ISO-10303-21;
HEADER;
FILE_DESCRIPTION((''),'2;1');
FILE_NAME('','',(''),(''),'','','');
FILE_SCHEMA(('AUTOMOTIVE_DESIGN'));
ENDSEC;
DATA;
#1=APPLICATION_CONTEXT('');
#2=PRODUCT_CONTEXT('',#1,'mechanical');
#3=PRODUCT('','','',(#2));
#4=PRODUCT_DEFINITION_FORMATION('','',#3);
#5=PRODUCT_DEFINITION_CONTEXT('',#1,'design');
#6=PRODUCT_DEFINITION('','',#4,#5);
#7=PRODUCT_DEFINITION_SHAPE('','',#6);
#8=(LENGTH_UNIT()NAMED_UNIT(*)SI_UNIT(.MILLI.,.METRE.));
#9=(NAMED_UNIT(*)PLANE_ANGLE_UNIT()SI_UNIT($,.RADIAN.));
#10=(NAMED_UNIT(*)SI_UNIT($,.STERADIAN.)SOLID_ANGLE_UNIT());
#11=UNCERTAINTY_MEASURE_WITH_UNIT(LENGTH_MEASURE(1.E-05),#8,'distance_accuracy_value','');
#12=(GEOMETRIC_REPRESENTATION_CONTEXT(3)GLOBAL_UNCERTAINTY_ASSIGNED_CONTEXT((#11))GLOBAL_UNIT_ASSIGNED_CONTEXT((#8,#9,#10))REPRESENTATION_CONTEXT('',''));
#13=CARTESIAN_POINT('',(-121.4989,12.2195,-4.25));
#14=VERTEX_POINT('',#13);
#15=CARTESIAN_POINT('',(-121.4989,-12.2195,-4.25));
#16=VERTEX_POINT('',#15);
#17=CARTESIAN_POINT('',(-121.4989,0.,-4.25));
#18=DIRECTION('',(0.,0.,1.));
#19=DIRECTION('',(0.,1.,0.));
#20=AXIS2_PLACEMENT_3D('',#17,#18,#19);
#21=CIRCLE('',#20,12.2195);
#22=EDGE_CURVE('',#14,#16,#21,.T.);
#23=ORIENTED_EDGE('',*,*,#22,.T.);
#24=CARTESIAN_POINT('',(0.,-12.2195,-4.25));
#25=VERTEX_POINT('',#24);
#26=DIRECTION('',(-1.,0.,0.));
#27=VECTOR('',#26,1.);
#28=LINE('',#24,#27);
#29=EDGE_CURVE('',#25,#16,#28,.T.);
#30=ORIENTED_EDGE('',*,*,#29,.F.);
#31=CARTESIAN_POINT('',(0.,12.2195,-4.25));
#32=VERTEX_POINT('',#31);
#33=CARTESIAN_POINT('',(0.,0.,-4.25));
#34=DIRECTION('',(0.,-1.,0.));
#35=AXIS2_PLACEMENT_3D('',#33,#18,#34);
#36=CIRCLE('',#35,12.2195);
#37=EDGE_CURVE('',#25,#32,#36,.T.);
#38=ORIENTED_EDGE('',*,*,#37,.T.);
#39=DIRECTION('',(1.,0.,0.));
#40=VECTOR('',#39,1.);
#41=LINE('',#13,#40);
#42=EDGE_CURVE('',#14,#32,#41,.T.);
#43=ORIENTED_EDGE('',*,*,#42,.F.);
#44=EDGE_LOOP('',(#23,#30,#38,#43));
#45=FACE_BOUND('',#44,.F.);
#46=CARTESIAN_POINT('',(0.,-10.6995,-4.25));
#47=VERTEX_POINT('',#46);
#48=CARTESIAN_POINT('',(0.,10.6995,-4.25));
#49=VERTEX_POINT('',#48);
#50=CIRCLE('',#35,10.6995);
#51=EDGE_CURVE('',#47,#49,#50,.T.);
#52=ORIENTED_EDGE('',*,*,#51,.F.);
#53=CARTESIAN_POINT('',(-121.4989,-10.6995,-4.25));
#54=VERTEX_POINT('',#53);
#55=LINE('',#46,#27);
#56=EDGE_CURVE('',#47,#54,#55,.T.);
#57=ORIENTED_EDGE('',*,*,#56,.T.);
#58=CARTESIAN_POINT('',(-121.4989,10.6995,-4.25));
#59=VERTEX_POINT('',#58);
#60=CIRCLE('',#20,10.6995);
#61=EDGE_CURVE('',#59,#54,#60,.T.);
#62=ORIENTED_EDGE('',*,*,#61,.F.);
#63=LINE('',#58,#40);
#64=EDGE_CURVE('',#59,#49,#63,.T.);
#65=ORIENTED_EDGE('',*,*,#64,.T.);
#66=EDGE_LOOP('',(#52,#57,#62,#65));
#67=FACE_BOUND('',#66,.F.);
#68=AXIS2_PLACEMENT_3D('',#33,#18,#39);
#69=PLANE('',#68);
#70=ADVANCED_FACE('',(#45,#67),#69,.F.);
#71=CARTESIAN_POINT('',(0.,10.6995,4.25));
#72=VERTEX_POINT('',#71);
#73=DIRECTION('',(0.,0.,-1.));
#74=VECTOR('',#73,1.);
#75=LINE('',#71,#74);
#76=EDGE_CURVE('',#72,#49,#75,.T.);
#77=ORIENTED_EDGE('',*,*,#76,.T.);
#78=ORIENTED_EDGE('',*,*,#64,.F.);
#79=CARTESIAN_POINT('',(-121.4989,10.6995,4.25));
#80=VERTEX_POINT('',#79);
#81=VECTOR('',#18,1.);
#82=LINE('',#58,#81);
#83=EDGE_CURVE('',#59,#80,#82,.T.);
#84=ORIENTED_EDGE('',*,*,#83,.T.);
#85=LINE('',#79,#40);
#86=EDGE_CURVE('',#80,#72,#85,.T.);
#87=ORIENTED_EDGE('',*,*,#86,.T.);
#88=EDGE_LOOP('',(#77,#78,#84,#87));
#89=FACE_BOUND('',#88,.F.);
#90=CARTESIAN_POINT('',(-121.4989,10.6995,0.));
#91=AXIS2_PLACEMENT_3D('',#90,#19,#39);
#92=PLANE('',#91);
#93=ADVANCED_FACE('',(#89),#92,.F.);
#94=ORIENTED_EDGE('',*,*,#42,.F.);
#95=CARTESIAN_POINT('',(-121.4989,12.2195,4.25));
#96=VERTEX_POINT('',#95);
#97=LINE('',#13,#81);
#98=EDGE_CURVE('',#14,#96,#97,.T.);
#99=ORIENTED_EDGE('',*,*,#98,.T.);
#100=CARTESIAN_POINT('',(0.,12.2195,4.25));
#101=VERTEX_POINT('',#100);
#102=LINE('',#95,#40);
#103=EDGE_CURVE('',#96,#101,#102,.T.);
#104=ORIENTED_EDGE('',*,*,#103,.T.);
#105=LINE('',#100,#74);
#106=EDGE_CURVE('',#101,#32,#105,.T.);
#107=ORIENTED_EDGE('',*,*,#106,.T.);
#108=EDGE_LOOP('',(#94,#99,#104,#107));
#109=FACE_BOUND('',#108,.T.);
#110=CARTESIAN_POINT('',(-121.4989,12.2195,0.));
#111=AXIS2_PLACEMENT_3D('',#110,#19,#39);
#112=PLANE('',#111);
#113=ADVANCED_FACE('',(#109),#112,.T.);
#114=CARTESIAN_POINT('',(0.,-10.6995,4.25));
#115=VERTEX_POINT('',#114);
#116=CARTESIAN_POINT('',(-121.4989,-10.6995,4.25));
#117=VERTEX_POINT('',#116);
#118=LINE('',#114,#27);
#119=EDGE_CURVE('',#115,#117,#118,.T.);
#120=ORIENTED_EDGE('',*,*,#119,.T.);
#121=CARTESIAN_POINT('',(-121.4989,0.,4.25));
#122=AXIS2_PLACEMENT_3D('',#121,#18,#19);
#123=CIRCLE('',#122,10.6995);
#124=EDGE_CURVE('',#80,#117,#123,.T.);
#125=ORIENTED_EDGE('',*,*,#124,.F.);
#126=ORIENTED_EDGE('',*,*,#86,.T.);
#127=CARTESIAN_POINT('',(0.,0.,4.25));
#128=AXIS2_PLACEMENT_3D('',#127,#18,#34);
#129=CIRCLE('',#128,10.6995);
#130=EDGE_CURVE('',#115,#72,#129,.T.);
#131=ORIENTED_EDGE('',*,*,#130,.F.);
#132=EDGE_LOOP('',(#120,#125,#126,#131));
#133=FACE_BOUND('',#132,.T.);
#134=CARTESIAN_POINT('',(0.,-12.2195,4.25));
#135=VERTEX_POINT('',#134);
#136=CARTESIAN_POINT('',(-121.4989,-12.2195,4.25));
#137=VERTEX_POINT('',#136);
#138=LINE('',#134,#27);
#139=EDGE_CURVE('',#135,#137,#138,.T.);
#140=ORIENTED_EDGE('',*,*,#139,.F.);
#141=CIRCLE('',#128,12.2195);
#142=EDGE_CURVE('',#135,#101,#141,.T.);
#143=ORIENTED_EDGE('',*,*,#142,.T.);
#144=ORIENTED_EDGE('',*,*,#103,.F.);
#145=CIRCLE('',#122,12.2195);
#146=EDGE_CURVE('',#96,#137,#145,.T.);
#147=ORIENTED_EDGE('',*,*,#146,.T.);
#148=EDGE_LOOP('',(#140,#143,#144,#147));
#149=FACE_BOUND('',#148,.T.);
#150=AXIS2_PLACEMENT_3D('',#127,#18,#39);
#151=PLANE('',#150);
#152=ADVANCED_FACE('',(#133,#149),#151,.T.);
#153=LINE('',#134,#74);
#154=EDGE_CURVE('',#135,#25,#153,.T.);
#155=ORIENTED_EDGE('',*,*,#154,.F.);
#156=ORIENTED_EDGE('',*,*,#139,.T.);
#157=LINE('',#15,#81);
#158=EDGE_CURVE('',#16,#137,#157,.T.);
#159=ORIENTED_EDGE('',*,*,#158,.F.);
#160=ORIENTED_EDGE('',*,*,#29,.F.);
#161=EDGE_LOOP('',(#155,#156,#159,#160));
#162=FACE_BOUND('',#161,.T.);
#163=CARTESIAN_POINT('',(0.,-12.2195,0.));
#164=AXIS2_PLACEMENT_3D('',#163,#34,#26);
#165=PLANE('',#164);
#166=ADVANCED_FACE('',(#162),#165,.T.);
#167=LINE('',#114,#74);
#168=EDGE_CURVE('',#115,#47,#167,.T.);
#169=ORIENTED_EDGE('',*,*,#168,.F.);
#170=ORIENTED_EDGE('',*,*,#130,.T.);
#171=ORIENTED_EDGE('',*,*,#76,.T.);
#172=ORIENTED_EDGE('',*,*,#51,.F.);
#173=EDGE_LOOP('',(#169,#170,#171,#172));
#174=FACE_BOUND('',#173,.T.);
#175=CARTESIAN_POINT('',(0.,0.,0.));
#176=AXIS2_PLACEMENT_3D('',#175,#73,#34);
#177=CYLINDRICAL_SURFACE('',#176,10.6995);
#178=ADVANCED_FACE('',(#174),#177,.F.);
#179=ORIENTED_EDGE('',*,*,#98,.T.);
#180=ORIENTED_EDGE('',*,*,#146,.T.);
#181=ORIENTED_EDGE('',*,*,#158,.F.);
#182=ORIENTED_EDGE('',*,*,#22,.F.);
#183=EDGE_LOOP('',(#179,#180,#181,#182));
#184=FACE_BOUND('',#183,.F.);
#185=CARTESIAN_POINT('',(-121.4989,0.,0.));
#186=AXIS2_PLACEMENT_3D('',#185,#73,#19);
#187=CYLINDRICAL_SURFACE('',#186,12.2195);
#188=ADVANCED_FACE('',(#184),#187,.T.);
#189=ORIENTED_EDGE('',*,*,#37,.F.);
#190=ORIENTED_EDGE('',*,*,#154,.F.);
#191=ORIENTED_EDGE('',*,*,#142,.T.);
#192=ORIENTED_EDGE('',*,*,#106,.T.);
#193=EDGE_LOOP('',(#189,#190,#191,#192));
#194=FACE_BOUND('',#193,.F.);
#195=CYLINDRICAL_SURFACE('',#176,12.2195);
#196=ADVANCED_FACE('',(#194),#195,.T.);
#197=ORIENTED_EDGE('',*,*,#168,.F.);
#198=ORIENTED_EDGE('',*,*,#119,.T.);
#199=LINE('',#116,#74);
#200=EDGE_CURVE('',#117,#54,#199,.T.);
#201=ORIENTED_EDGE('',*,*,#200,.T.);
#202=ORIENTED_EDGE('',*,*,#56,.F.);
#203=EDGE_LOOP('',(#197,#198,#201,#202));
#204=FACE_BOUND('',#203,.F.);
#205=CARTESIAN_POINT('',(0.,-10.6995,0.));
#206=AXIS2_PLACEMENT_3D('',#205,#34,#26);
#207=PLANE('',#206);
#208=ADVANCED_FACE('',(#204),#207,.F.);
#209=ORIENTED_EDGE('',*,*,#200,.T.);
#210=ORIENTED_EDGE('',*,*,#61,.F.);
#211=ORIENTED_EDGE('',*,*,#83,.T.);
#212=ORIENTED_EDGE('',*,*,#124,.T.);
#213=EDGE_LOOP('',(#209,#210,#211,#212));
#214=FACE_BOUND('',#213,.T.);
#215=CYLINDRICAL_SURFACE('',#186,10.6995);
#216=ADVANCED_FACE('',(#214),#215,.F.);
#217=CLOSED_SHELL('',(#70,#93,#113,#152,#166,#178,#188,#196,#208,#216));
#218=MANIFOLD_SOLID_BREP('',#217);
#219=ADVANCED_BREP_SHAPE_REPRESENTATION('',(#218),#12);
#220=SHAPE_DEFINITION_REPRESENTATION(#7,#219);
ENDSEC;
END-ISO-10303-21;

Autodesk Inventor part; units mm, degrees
ref_plane "YZ Plane" through (0, 0, 0) normal (1, 0, 0) x (0, 1, 0)
ref_plane "XZ Plane" through (0, 0, 0) normal (0, 1, 0) x (-1, 0, 0)
ref_plane "XY Plane" through (0, 0, 0) normal (0, 0, 1) x (1, 0, 0)
sketch "Sketch1" plane through (0, 0, 0) normal (0, 0, 1) x (1, 0, 0)
  arc A0 (0, -11.4595) -> (0, 11.4595) centre (0, 0) ccw construction
  arc A1 (-121.4989, 11.4595) -> (-121.4989, -11.4595) centre (-121.4989, 0) ccw construction
  line L0 (0, -11.4595) -> (-121.4989, -11.4595) construction
  line L1 (0, 11.4595) -> (-121.4989, 11.4595) construction
  dimension "Belt_Teeth" = 105
  dimension "Belt_Pitch2" = 3
  dimension "d0" = 22.919
  dimension "d1" = 22.919
  dimension "d2" = 36.0011
  dimension "d3" = 36.0011
  dimension "Center_Distance" = 121.4989
  dimension "d5" = 121.4989
sketch "Sketch2" plane through (0, 0, 0) normal (0, 0, 1) x (1, 0, 0)
  line L0 (35.7235, 34.2567) -> (38.7235, 34.2567)
  point P0 (0, 0)
  dimension "Belt_Pitch2" = 3
sketch "Sketch4" plane through (0, 0, 0) normal (0, 0, 1) x (1, 0, 0)
  line L0 (-16.1422, -21.869) -> (-14.1422, -21.869)
  line L1 (-16.1422, -21.869) -> (-16.1422, -20.349)
  arc A0 (-15.5872, -20.904) -> (-16.1422, -20.349) centre (-16.1422, -20.904) ccw
  line L2 (-15.5872, -20.904) -> (-15.5872, -20.959)
  arc A1 (-15.5872, -20.959) -> (-15.4372, -21.109) centre (-15.4372, -20.959) ccw
  line L3 (-15.4372, -21.109) -> (-14.8472, -21.109)
  line L4 (-14.1422, -21.869) -> (-14.1422, -20.349)
  arc A2 (-14.1422, -20.349) -> (-14.6972, -20.904) centre (-14.1422, -20.904) ccw
  arc A3 (-14.8472, -21.109) -> (-14.6972, -20.959) centre (-14.8472, -20.959) ccw
  line L5 (-14.6972, -20.959) -> (-14.6972, -20.904)
  line L6 (0, 11.4595) -> (-121.4989, 11.4595) construction
  arc A4 (-121.4989, 11.4595) -> (-121.4989, -11.4595) centre (-121.4989, 0) ccw construction
  line L7 (0, -11.4595) -> (-121.4989, -11.4595) construction
  arc A5 (0, -11.4595) -> (0, 11.4595) centre (0, 0) ccw construction
  arc A6 (-121.4989, 12.2195) -> (-121.4989, -12.2195) centre (-121.4989, 0) ccw
  line L8 (-121.4989, 12.2195) -> (0, 12.2195)
  arc A7 (0, -12.2195) -> (0, 12.2195) centre (0, 0) ccw
  line L9 (0, -12.2195) -> (-121.4989, -12.2195)
  arc A8 (-121.4989, 10.6995) -> (-121.4989, -10.6995) centre (-121.4989, 0) ccw
  line L10 (-121.4989, 10.6995) -> (0, 10.6995)
  arc A9 (0, -10.6995) -> (0, 10.6995) centre (0, 0) ccw
  line L11 (0, -10.6995) -> (-121.4989, -10.6995)
  point P0 (-15.1422, -21.109)
  point P1 (-15.1422, -21.869)
  dimension "d9" = 2
  dimension "d10" = 1.52
  dimension "d11" = 0.76
  dimension "d12" = 0.555
  dimension "d13" = 0.555
  dimension "d14" = 0.15
  dimension "d15" = 0.15
  dimension "belt_thickness" = 1.52
  dimension "d44" = 0.76
extrude "Extrusion2" add sketch "Sketch4" along normal mid plane 8.5 contours L8 A7 L9 A6
sketch "Sketch5" plane through (0, 0, 4.25) normal (0, 0, 1) x (1, 0, 0)
  line L0 (-121.4989, 10.6995) -> (0, 10.6995) construction
  arc A0 (0, -10.6995) -> (0, 10.6995) centre (0, 0) ccw construction
  line L1 (0, -10.6995) -> (-121.4989, -10.6995) construction
  arc A1 (-121.4989, 10.6995) -> (-121.4989, -10.6995) centre (-121.4989, 0) ccw construction
  arc A2 (-121.4989, 12.2195) -> (-121.4989, -12.2195) centre (-121.4989, 0) ccw construction
  line L2 (-121.4989, -12.2195) -> (0, -12.2195) construction
  arc A3 (0, -12.2195) -> (0, 12.2195) centre (0, 0) ccw construction
  line L3 (0, 12.2195) -> (-121.4989, 12.2195) construction
  line L4 (-7.7556, -2.6989) -> (-5.7556, -2.6989)
  line L5 (-7.7556, -2.6989) -> (-7.7556, -1.1789) construction
  arc A4 (-7.2006, -1.7339) -> (-7.7556, -1.1789) centre (-7.7556, -1.7339) ccw
  line L6 (-7.2006, -1.7339) -> (-7.2006, -1.7889)
  arc A5 (-7.2006, -1.7889) -> (-7.0506, -1.9389) centre (-7.0506, -1.7889) ccw
  line L7 (-7.0506, -1.9389) -> (-6.4606, -1.9389)
  line L8 (-5.7556, -2.6989) -> (-5.7556, -1.1789)
  arc A6 (-5.7556, -1.1789) -> (-6.3106, -1.7339) centre (-5.7556, -1.7339) ccw
  arc A7 (-6.4606, -1.9389) -> (-6.3106, -1.7889) centre (-6.4606, -1.7889) ccw
  line L9 (-6.3106, -1.7889) -> (-6.3106, -1.7339)
  line L10 (-8.3106, -1.7339) -> (-8.3106, -1.7889)
  arc A8 (-7.7556, -1.1789) -> (-8.3106, -1.7339) centre (-7.7556, -1.7339) ccw
  arc A9 (-8.4606, -1.9389) -> (-8.3106, -1.7889) centre (-8.4606, -1.7889) ccw
  line L11 (-8.4606, -1.9389) -> (-9.0506, -1.9389)
  line L12 (-7.7556, -2.6989) -> (-9.7556, -2.6989)
  line L13 (-9.2006, -1.7889) -> (-9.2006, -1.7339)
  arc A10 (-9.2006, -1.7339) -> (-9.7556, -1.1789) centre (-9.7556, -1.7339) ccw
  line L14 (-9.7556, -2.6989) -> (-9.7556, -1.1789)
  arc A11 (-9.2006, -1.7889) -> (-9.0506, -1.9389) centre (-9.0506, -1.7889) ccw
  line L15 (-17.66, -0.8495) -> (-14.922, -0.8495) construction
  line L16 (-14.922, -0.8495) -> (-14.922, -2.3671) construction
  line L17 (-14.922, -2.3671) -> (-17.66, -2.3671) construction
  line L18 (-17.66, -2.3671) -> (-17.66, -0.8495) construction
  arc A12 (-15.6383, -1.7102) -> (-16.7483, -1.7102) centre (-16.1933, -1.7102) ccw construction
  line L19 (-16.7483, -1.7102) -> (-16.7483, -1.7652) construction
  arc A13 (-16.8983, -1.9152) -> (-16.7483, -1.7652) centre (-16.8983, -1.7652) ccw construction
  line L20 (-16.7483, -1.7102) -> (-16.7483, -1.9152) construction
  line L21 (-15.6383, -1.7102) -> (-15.6383, -1.9152) construction
  point P0 (-6.7556, -1.9389)
  point P1 (-6.7556, -2.6989)
  point P2 (-8.7556, -2.6989)
  point P3 (-8.7556, -1.9389)
  dimension "d22" = 2
  dimension "d23" = 1.52
  dimension "d24" = 0.76
  dimension "d25" = 0.555
  dimension "d26" = 0.555
  dimension "d27" = 0.15
  dimension "d28" = 0.15
  dimension "d29" = 0.76
  dimension "d30" = 1
  dimension "d31" = 2
  dimension "d32" = 0.59
  dimension "d34" = 0.555
  dimension "d35" = 0
  dimension "d36" = 0
  dimension "d37" = 0.15
  dimension "d38" = 0.055
  dimension "d39" = 0.055
  dimension "d40" = 0
  dimension "d41" = 0
  dimension "d42" = 0.205
  dimension "d43" = 0.205
equation "\"d13\" = d12"
equation "\"d15\" = d14"
equation "\"d44\" = 0.5 * belt_thickness"
equation "\"d26\" = d25"
equation "\"d28\" = d27"
equation "\"d30\" = 0.5 * d22"
equation "\"d31\" = d22"
equation "\"d43\" = d42"
equation "\"Belt_Teeth\" = 105"
equation "\"Belt_Pitch\" = 3"
equation "\"HTD_5mm\" = 5"
equation "\"GT2_3mm\" = 3"
equation "\"Center_Distance_Copy\" = Center_Distance"
properties part number "GT2-105T" material "Rubber"
